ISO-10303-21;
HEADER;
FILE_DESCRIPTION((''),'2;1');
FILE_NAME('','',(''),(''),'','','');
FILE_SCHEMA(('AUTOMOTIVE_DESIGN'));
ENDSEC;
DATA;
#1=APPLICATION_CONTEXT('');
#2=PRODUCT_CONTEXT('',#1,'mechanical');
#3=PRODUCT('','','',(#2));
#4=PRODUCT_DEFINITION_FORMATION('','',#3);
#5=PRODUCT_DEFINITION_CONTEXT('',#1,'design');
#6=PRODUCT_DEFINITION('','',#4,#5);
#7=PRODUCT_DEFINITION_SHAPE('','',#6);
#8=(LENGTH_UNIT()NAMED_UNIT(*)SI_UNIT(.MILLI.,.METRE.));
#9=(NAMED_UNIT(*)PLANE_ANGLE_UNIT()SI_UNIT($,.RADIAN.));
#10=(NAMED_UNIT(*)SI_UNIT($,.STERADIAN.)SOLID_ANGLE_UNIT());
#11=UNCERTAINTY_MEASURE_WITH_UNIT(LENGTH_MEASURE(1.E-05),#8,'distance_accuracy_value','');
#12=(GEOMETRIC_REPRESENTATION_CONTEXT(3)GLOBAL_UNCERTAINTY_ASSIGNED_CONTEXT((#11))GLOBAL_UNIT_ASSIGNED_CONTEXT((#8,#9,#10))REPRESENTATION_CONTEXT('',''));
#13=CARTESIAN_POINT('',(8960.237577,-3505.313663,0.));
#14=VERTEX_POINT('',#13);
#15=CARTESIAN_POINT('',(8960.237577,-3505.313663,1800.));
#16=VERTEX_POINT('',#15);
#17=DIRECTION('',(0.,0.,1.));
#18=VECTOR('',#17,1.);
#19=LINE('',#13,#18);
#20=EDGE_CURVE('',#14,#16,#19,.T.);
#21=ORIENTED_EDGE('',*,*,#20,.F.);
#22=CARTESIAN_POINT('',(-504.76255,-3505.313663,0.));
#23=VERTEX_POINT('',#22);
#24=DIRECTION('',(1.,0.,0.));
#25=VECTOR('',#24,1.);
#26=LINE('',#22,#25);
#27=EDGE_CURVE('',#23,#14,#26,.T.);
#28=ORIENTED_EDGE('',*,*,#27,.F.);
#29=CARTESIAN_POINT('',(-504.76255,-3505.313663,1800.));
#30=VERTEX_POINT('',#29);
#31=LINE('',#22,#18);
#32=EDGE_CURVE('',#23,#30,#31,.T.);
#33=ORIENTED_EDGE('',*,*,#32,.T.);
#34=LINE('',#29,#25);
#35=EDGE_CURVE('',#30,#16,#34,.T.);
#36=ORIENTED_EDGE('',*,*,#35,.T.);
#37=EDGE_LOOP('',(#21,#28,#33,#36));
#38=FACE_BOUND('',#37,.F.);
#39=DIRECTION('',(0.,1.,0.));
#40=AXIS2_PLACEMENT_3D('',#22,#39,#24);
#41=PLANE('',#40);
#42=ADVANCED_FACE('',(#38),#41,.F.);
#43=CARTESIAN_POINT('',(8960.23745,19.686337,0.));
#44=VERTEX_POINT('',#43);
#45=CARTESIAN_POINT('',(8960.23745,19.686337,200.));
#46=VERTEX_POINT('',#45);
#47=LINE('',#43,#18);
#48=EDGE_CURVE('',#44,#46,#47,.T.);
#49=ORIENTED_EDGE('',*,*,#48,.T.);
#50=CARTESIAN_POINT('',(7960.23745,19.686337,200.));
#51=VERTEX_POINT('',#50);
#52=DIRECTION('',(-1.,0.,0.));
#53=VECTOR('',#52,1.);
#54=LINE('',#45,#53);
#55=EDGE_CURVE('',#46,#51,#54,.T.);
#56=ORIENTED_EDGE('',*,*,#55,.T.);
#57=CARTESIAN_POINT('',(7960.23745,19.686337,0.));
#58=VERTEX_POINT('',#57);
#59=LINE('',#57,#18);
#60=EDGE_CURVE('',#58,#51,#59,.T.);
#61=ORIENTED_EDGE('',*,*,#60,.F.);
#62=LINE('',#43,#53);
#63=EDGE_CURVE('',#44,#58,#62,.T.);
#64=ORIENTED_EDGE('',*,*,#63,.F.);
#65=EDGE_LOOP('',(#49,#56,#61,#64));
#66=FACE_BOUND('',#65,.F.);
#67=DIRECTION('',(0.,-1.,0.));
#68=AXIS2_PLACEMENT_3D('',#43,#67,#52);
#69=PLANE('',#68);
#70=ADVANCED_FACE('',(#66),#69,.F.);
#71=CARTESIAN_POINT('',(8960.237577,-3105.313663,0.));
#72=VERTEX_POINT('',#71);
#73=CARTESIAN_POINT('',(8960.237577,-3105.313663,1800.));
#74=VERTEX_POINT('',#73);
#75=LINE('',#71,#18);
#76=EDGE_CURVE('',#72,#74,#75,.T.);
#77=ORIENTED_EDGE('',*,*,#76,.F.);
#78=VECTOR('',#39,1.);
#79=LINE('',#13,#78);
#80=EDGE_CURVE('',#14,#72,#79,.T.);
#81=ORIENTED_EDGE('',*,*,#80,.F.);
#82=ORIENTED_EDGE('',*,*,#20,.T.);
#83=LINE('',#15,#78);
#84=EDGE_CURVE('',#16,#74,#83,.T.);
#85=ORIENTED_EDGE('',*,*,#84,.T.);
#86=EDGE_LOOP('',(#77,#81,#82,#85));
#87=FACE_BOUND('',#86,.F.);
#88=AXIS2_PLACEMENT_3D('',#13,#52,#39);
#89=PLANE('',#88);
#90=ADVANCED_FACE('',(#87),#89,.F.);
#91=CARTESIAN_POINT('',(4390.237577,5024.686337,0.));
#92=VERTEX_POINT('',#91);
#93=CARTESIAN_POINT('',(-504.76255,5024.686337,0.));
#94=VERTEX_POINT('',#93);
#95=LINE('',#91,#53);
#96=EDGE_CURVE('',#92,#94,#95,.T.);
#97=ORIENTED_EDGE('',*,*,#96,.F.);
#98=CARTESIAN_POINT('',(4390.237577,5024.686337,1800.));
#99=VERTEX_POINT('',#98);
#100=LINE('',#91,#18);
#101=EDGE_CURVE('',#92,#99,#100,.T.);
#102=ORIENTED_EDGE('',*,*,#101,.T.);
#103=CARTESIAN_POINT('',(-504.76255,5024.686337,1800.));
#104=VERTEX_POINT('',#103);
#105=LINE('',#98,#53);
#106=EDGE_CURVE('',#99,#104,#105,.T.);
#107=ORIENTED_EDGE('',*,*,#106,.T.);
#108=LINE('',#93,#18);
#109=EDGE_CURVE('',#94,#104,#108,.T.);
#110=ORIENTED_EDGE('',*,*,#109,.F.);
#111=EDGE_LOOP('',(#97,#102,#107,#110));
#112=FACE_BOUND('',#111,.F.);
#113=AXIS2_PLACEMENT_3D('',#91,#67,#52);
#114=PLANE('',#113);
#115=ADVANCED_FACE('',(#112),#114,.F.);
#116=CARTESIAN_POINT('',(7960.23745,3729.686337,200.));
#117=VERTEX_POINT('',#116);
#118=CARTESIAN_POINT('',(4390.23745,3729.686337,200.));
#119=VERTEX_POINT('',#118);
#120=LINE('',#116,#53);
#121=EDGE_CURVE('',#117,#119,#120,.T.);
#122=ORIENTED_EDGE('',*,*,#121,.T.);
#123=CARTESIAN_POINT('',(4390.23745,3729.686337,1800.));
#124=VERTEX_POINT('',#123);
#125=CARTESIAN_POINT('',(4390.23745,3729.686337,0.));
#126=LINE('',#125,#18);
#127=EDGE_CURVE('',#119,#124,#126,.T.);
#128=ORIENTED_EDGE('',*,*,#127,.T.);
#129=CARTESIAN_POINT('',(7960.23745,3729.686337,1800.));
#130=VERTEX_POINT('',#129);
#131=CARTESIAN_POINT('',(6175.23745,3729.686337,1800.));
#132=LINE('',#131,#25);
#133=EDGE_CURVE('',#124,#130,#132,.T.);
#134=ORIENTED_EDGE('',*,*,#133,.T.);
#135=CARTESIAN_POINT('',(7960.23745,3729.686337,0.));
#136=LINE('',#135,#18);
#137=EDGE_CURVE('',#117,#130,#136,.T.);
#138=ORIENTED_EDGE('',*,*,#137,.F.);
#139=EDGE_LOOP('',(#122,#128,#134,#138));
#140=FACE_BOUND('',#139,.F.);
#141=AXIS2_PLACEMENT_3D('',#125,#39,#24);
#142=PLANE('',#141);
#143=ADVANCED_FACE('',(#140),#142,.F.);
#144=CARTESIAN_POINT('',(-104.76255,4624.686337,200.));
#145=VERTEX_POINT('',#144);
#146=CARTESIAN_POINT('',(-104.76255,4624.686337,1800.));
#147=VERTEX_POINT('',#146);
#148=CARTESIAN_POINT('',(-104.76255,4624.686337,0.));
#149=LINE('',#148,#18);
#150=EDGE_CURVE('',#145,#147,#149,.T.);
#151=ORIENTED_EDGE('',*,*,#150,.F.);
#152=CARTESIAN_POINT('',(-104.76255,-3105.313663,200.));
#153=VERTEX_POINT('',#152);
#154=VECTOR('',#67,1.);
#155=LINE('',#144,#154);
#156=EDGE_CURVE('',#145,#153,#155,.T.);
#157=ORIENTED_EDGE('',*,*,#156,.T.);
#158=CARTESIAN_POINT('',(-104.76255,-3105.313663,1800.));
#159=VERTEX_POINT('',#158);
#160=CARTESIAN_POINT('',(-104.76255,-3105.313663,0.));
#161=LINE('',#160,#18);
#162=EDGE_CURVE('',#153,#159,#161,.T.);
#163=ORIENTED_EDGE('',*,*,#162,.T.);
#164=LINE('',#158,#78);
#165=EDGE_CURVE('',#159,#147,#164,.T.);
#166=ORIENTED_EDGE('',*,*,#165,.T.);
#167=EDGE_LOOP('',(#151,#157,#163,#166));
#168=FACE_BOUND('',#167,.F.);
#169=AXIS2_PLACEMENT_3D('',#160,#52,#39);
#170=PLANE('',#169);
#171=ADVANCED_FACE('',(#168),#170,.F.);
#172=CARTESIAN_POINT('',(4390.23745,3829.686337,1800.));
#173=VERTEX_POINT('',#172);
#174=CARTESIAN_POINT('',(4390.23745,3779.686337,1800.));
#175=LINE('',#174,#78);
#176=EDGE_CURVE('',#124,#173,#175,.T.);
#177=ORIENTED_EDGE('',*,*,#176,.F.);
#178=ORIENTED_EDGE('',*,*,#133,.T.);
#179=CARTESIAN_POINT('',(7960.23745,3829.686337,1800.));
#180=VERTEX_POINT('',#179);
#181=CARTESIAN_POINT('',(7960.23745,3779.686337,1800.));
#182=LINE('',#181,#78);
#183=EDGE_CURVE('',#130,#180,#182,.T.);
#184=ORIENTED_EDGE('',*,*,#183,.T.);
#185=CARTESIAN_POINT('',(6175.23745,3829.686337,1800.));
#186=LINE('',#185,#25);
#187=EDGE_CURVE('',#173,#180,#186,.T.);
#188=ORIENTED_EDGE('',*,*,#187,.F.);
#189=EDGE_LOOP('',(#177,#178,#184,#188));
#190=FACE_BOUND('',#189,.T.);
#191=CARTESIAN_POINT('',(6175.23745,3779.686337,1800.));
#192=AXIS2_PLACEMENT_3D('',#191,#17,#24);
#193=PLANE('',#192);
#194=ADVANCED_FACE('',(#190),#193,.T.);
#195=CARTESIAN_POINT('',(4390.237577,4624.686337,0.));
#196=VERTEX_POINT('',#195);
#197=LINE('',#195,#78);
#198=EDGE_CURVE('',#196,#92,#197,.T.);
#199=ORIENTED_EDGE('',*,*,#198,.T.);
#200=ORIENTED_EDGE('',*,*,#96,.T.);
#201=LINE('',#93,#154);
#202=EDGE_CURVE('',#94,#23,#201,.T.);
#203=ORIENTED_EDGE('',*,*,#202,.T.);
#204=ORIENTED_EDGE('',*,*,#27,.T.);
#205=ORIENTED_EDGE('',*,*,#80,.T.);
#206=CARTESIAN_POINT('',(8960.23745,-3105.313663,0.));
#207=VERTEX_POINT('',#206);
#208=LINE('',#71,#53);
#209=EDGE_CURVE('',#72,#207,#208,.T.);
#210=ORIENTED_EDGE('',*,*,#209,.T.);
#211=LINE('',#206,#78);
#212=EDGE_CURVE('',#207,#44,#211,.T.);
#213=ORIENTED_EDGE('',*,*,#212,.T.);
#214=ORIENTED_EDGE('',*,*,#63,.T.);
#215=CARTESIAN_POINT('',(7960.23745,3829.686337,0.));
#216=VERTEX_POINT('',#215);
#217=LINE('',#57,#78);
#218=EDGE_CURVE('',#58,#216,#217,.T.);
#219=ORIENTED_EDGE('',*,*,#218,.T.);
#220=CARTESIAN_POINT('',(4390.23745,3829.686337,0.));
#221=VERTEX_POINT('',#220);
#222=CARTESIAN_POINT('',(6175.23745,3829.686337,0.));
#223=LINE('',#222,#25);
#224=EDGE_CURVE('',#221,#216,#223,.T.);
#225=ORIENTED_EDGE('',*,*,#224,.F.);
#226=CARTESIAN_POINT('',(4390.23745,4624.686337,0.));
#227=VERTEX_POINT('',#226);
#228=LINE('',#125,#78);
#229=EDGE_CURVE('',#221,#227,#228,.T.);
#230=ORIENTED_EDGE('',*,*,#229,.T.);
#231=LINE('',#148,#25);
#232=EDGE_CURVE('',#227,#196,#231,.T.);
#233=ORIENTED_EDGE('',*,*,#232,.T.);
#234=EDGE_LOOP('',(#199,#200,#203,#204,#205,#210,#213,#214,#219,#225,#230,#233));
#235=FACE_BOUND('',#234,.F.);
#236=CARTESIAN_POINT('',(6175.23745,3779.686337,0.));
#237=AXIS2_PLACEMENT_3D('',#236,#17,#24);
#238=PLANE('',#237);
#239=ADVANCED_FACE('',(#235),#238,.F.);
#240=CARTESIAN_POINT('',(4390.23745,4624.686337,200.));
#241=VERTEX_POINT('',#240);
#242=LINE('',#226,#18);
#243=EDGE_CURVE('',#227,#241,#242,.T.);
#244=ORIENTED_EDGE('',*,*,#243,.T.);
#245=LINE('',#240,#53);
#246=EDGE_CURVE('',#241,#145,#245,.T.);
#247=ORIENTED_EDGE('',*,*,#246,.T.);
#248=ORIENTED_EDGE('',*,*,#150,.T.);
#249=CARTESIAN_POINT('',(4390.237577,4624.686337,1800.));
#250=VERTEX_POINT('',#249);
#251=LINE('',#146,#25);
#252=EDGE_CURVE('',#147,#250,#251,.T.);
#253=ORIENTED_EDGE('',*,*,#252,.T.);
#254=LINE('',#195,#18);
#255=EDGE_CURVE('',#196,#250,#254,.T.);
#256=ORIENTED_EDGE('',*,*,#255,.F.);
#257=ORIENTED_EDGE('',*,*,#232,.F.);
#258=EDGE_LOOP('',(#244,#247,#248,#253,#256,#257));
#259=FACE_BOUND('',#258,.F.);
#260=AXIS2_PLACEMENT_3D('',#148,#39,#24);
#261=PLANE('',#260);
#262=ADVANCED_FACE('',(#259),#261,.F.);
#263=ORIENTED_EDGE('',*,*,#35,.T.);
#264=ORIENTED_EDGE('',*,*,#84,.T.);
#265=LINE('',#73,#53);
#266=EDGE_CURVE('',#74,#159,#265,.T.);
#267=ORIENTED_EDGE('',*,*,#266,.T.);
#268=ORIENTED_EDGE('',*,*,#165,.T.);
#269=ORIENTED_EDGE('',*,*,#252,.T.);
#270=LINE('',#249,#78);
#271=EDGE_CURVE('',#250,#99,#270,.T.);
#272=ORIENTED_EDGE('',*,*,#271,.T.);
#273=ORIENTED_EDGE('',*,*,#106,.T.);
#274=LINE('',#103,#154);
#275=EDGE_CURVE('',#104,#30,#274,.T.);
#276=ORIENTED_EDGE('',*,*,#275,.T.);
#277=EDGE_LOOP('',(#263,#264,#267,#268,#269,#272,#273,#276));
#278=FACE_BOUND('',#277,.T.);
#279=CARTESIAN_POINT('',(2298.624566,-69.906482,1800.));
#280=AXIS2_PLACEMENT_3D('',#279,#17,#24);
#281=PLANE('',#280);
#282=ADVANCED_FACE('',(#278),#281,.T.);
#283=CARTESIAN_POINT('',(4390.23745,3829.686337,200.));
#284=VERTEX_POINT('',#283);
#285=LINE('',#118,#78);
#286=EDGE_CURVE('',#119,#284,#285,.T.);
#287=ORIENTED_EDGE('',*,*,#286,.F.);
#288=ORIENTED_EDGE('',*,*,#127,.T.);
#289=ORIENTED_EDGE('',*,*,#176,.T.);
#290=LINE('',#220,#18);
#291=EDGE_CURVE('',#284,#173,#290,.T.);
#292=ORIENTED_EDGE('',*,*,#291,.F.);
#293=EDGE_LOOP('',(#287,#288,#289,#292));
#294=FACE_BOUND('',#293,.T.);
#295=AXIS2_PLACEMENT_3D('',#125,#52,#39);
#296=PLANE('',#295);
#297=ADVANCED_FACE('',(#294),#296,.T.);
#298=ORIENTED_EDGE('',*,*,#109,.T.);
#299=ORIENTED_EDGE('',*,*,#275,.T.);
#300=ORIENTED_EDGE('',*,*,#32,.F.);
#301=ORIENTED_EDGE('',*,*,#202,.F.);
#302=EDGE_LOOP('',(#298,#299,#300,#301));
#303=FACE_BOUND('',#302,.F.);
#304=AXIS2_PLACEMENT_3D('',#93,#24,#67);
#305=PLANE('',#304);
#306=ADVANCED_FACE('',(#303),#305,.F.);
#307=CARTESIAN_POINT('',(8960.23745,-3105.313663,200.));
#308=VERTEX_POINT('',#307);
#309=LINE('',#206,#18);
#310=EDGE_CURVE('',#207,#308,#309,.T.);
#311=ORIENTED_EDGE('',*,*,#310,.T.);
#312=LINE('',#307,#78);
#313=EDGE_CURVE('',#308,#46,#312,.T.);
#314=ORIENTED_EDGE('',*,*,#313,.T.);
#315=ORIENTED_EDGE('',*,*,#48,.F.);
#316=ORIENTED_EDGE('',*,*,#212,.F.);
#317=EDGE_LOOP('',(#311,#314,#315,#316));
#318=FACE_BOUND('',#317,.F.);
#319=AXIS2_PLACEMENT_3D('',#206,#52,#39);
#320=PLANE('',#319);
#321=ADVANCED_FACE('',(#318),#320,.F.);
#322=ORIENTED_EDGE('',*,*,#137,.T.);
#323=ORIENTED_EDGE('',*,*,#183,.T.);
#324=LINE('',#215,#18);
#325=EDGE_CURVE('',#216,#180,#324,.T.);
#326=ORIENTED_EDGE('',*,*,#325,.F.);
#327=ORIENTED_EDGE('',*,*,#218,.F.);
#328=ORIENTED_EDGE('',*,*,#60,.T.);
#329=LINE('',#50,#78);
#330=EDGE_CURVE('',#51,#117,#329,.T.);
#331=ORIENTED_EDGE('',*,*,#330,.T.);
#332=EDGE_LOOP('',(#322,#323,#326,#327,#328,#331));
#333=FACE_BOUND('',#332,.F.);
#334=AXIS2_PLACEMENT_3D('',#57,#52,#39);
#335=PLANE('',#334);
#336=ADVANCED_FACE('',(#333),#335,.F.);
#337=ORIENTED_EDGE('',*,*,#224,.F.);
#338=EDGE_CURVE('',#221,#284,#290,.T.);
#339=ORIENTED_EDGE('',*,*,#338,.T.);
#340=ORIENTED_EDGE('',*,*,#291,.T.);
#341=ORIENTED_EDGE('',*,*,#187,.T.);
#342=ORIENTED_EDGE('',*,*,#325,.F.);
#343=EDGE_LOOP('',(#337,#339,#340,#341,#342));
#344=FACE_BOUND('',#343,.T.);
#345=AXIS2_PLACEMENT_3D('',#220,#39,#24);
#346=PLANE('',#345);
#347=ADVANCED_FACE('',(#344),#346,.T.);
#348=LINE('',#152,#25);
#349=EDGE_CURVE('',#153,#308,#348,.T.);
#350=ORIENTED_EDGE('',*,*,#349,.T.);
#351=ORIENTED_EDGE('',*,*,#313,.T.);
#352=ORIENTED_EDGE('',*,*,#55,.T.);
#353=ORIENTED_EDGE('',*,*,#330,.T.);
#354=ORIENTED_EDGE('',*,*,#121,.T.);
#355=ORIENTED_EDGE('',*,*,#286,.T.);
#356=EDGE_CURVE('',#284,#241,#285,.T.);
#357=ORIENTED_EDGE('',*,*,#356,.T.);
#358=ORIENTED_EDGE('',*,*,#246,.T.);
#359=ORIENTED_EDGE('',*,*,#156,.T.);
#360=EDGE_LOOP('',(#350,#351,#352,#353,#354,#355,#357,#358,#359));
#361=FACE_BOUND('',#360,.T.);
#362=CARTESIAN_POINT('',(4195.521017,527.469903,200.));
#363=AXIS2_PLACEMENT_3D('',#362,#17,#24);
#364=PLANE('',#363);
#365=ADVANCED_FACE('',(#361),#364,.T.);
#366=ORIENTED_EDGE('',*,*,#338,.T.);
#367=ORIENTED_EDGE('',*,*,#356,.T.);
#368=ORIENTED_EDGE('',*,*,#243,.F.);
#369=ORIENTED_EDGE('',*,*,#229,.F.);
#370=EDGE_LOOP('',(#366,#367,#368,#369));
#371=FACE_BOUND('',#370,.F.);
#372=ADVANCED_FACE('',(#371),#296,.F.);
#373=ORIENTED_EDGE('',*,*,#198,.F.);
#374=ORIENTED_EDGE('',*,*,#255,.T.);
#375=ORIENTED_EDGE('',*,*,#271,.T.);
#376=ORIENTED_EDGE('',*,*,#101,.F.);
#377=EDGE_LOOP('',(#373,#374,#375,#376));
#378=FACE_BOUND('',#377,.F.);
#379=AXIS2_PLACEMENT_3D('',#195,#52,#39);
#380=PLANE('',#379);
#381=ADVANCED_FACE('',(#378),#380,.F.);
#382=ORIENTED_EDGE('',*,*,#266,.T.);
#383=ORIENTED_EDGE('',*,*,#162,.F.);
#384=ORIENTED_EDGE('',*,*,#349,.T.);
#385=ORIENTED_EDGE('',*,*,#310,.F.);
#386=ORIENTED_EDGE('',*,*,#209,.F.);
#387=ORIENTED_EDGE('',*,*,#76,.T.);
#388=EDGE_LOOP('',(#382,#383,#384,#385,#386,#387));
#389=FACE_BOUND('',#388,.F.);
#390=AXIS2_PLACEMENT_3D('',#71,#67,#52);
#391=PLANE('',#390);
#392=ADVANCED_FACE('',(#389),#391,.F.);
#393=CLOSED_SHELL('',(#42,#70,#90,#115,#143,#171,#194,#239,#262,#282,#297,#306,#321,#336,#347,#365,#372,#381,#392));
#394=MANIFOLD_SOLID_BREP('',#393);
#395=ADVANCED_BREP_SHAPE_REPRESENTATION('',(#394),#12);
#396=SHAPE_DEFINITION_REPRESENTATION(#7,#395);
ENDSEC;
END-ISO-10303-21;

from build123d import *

# Parameters (mm, degrees)
F1_DEPTH = 200
F2_DEPTH = 1800
F0_W     = 3570
F0_H     = 100
F3_DEPTH = 1800


with BuildPart() as f1:
    # F0 (on Top) → F1 (new body)
    with BuildSketch(Plane.XY):
        Polygon((-104.762549762, -3105.3136634827), (8960.237450238, -3105.3136634827), (8960.237450238, -3030.8116634827), (8960.237450238, 19.6863365173), (7960.237450238, 19.6863365173), (7960.237450238, 3729.6863365173), (4390.237450238, 3729.6863365173), (4390.237450238, 3829.6863365173), (4390.237450238, 4624.6863365173), (-104.762549762, 4624.6863365173), align=None)
    extrude(amount=F1_DEPTH)

    # F0 (on Top) → F2 (join)
    with BuildSketch(Plane.XY):
        Polygon((-109.762549762, 4629.6863365173), (-109.762549762, -3110.3136634827), (8960.237450238, -3110.3136634827), (8960.237450238, -3105.3136634827), (-104.762549762, -3105.3136634827), (-104.762549762, 4624.6863365173), (4390.237450238, 4624.6863365173), (4390.237450238, 4629.6863365173), align=None)
        Polygon((8960.237450238, -3110.3136634827), (-109.762549762, -3110.3136634827), (-109.762549762, 4629.6863365173), (4390.237450238, 4629.6863365173), (4390.237450238, 4624.6863365173), (4390.2375772595, 4624.6863365173), (4390.2375772595, 5024.6863365173), (-504.762549762, 5024.6863365173), (-504.762549762, -3505.3136634827), (8960.2375772595, -3505.3136634827), (8960.2375772595, -3105.3136634827), (8960.237450238, -3105.3136634827), align=None)
    extrude(amount=F2_DEPTH)

    # F0 (on Top) → F3 (join)
    with BuildSketch(Plane.XY):
        with Locations((6175.237450238, 3779.6863365173)):
            Rectangle(F0_W, F0_H)
    extrude(amount=F3_DEPTH)


solid = f1.part
